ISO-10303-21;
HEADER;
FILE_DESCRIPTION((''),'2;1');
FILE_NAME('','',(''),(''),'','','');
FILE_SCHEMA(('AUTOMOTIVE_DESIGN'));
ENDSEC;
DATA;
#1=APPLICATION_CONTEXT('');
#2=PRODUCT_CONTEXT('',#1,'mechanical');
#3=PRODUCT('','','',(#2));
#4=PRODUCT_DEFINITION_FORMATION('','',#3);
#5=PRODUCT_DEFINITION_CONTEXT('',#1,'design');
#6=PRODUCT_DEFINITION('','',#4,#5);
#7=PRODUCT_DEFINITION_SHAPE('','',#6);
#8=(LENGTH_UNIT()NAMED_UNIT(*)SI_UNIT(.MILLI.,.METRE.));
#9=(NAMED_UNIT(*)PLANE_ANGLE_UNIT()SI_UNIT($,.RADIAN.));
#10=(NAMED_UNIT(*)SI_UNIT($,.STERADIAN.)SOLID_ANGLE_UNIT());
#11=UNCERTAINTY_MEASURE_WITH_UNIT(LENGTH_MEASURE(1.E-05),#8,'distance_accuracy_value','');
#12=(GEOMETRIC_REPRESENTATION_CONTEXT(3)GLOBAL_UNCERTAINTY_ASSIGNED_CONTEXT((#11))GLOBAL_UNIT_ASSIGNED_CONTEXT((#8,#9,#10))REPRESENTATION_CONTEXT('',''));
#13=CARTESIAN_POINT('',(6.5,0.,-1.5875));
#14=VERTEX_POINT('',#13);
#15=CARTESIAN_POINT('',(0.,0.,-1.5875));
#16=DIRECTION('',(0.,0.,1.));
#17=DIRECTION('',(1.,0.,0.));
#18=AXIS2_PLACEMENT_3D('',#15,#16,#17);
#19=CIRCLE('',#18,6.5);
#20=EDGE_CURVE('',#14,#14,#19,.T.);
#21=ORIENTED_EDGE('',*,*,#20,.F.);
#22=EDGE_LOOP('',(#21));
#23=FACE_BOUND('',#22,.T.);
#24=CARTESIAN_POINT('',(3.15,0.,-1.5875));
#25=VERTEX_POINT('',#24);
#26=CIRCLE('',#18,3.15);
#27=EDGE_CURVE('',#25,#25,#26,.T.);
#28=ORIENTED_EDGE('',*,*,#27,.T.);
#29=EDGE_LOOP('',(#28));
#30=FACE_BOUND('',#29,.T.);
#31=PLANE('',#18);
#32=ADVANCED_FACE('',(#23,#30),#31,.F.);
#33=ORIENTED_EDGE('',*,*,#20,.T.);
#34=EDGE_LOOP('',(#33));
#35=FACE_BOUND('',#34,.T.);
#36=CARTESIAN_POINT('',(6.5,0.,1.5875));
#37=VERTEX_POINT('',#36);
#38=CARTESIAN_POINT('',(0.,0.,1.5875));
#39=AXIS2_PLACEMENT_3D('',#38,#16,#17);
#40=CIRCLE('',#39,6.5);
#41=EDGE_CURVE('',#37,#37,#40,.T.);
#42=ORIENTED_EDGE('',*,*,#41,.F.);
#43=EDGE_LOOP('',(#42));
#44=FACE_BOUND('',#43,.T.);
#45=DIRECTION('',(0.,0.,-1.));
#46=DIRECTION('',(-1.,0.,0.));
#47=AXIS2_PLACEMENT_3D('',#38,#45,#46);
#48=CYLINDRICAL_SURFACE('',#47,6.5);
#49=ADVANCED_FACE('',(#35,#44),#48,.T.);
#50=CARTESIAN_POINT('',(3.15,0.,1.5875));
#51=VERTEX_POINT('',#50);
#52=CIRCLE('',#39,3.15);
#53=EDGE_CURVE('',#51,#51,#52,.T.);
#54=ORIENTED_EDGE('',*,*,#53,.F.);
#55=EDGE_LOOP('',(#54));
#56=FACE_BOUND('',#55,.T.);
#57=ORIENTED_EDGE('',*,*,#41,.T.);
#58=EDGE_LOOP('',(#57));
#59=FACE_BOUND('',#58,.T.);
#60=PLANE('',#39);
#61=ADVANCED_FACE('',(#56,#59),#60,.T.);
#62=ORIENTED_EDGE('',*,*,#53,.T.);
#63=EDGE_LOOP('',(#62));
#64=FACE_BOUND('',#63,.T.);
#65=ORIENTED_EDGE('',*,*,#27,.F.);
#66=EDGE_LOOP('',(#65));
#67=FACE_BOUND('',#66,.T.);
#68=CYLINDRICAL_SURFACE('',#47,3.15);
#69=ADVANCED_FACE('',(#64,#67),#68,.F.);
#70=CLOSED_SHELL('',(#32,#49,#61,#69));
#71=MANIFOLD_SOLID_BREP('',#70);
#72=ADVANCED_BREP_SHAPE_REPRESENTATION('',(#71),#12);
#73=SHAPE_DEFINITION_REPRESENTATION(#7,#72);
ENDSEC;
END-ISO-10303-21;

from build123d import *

# Parameters (mm, degrees)
SKETCH1_R      = 6.5
SKETCH1_R_2    = 3.15
EXTRUDE1_DEPTH = 1.5875


with BuildPart() as part:
    # Sketch1 → Extrude1 (new body, symmetric)
    with BuildSketch(Plane.XY):
        Circle(SKETCH1_R)
        Circle(SKETCH1_R_2, mode=Mode.SUBTRACT)
    extrude(amount=EXTRUDE1_DEPTH, both=True)


solid = part.part
